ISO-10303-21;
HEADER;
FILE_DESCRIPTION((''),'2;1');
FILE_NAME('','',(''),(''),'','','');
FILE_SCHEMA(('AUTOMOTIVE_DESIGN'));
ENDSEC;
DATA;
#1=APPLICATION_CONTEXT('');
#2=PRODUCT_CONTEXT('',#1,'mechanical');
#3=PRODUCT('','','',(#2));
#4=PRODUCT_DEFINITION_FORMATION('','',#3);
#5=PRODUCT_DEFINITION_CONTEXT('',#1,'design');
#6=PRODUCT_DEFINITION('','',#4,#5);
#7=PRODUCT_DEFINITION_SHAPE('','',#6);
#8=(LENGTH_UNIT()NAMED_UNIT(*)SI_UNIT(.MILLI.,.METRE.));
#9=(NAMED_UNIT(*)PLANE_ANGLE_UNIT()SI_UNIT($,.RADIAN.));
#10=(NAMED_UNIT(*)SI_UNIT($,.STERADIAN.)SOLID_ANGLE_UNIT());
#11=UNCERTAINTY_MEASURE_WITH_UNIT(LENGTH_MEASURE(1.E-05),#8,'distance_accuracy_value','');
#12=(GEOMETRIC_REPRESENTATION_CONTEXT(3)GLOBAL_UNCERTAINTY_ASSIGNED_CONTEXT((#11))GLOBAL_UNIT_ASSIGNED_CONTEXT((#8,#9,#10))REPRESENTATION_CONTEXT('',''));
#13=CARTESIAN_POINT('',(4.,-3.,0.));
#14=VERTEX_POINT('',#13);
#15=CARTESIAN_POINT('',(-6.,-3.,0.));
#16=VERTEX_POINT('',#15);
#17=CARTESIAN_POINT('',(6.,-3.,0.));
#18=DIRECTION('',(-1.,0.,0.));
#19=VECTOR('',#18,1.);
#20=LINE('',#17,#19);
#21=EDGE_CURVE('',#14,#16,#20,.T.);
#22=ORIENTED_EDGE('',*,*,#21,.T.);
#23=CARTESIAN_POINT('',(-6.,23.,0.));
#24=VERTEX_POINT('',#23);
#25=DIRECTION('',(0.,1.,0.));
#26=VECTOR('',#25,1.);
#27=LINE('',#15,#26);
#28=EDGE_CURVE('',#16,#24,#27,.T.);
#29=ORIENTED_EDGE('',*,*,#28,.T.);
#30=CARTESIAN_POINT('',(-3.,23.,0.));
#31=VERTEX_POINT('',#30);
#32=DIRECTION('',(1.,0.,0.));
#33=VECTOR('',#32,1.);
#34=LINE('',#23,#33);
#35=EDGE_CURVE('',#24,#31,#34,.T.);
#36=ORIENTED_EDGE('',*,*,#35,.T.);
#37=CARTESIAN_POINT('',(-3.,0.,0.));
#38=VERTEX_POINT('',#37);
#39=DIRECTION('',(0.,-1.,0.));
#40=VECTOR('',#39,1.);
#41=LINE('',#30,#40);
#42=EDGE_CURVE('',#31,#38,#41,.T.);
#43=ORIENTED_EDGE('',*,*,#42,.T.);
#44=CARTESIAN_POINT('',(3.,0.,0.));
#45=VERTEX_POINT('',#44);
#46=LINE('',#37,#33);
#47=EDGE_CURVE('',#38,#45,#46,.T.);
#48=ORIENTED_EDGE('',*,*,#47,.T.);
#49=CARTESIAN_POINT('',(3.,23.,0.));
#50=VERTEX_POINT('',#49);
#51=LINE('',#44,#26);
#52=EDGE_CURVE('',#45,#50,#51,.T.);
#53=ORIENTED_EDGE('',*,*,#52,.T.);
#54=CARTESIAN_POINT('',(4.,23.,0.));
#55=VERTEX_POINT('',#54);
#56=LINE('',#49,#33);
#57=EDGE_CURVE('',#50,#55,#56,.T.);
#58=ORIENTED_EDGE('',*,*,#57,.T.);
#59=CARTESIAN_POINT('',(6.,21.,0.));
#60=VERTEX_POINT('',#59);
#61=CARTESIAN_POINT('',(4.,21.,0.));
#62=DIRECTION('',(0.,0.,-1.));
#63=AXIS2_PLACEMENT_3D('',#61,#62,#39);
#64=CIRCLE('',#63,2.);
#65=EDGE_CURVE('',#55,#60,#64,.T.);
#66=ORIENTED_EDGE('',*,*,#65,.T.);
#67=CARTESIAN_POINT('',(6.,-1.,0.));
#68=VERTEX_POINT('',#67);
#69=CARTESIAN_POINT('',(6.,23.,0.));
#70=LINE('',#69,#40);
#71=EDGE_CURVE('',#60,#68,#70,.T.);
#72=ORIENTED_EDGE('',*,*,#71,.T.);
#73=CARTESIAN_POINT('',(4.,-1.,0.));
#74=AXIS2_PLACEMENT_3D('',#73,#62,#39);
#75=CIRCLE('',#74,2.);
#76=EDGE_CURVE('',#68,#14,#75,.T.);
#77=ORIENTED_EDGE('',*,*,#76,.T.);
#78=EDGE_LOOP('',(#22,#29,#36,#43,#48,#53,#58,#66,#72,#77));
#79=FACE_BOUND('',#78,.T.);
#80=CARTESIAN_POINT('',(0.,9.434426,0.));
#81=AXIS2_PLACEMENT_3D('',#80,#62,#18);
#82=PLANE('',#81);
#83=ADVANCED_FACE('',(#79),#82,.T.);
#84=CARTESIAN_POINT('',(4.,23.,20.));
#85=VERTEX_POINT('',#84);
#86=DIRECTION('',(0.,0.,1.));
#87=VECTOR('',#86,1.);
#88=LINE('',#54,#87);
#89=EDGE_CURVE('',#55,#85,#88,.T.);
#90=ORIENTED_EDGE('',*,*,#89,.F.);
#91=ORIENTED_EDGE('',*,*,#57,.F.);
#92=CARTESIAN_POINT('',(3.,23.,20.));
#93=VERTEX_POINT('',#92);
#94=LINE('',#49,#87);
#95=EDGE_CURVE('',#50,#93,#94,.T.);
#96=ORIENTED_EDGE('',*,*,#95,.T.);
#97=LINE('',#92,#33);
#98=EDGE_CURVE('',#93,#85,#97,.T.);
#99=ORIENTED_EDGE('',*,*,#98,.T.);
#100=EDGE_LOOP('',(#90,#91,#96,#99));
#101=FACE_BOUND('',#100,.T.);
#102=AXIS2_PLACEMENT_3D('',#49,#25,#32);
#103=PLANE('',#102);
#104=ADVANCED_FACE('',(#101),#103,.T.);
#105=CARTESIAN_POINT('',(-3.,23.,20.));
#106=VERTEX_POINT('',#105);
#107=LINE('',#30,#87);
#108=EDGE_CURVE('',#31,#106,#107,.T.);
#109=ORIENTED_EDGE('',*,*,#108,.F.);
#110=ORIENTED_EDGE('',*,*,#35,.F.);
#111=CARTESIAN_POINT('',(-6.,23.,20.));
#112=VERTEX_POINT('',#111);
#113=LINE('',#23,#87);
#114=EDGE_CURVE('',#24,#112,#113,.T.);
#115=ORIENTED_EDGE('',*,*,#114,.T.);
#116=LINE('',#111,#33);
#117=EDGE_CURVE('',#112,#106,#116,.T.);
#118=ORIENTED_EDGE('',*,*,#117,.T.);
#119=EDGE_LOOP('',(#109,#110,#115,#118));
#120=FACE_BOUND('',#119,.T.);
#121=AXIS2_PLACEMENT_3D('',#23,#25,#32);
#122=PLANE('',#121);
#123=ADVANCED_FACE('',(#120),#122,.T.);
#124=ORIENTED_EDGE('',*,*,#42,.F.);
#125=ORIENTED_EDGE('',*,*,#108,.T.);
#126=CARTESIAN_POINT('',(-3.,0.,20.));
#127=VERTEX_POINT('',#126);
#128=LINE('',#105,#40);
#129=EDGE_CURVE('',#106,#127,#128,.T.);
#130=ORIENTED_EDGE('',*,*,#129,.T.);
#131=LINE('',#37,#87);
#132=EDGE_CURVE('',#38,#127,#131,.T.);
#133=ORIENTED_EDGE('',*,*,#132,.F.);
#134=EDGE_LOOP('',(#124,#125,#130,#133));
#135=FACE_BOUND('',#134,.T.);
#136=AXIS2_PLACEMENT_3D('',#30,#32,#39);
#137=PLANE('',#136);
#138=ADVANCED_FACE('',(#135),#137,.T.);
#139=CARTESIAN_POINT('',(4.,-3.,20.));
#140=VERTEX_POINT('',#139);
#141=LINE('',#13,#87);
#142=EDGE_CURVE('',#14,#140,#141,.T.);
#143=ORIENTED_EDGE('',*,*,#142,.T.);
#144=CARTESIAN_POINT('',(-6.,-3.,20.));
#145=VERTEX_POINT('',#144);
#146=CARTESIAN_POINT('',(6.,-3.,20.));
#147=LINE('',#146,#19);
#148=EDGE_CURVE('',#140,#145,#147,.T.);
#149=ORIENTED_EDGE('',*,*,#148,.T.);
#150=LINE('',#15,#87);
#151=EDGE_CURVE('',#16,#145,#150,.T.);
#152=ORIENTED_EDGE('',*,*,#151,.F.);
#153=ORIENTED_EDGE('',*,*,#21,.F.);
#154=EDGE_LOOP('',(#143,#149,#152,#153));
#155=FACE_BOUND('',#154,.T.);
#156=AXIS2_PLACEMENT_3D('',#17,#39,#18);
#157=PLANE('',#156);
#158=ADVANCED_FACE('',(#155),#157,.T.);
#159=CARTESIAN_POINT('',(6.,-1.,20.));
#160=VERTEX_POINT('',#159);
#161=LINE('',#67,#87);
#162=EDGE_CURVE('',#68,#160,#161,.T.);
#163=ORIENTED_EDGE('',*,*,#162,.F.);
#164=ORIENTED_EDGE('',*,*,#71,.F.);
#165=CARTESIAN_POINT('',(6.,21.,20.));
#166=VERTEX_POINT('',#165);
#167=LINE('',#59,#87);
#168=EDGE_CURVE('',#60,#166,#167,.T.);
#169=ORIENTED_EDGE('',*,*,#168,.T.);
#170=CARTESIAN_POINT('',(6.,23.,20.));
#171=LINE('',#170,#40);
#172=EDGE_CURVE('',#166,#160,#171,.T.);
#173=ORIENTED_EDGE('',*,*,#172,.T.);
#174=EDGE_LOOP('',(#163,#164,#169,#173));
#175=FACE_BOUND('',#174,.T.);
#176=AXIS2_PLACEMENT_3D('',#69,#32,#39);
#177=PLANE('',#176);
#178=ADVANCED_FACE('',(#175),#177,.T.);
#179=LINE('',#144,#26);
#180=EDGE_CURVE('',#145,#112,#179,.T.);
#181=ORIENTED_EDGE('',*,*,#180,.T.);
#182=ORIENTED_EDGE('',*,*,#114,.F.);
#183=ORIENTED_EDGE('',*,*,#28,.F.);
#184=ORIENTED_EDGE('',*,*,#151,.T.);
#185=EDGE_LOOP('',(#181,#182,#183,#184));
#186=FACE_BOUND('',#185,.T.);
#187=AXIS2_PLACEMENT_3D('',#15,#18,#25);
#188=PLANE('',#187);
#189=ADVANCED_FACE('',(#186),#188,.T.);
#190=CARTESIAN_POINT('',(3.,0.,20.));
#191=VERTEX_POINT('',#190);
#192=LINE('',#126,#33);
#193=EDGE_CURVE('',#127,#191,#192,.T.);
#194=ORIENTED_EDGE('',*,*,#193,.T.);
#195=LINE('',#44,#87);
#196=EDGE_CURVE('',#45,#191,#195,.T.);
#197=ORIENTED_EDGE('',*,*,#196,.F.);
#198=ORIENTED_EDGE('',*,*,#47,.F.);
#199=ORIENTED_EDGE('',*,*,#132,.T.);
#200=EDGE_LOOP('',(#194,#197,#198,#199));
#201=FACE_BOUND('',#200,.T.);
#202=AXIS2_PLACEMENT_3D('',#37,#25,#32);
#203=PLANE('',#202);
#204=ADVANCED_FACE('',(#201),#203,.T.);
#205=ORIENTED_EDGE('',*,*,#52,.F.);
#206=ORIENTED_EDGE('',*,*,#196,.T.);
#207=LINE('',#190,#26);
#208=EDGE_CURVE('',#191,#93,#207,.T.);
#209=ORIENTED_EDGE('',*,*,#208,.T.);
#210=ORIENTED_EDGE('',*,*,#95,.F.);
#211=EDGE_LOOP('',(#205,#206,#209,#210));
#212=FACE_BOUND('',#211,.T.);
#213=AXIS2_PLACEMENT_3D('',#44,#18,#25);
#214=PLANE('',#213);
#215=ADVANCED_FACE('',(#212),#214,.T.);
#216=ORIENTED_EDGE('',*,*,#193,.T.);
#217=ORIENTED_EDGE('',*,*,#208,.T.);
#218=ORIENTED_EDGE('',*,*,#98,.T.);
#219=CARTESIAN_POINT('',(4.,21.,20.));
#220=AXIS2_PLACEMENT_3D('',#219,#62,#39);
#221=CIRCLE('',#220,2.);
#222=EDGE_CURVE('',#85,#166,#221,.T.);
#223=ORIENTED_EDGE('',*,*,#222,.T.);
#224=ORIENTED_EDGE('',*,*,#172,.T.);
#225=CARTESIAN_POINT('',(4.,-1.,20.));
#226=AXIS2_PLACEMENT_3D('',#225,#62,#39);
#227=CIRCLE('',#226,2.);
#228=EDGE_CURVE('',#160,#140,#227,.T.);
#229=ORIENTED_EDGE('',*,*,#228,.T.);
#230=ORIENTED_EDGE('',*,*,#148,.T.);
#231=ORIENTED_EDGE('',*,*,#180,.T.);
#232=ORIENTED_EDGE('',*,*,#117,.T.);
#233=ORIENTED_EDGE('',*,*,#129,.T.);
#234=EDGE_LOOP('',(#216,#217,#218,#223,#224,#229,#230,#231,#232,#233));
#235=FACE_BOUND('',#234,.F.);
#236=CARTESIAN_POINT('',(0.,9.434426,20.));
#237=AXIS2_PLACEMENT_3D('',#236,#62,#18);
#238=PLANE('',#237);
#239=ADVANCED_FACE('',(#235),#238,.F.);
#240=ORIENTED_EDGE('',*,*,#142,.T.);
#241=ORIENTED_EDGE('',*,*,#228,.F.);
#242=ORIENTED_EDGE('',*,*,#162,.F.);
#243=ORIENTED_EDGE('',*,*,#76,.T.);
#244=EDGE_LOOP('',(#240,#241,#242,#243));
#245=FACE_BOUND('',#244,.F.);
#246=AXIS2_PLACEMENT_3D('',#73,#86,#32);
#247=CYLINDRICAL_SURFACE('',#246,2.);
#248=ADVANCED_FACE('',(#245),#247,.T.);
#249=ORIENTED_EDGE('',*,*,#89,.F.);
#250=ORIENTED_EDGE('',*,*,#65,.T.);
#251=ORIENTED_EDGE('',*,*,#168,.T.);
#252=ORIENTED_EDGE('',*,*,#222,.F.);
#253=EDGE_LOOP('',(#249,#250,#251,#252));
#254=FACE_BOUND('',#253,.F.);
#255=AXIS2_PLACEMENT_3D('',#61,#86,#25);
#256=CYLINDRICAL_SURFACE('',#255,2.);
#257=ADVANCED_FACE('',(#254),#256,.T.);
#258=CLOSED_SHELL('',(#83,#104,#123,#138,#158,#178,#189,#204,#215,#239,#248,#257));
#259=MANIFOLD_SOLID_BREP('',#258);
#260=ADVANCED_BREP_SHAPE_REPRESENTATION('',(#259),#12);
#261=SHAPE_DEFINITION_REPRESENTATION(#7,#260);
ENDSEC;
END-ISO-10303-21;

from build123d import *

# Parameters (mm, degrees)
PAD_DEPTH = 20
FILLET_R  = 2


with BuildPart() as part:
    # Sketch → Pad (new body)
    with BuildSketch(Plane.XY):
        Polygon((-3, 23), (-3, 0), (3, 0), (3, 23), (6, 23), (6, -3), (-6, -3), (-6, 23), align=None)
    extrude(amount=PAD_DEPTH)

    # Fillet
    fillet_edges = [part.edges().sort_by_distance(p)[0] for p in [
        (6, -3, 10),
        (6, 23, 10),
    ]]
    fillet(fillet_edges, radius=FILLET_R)


solid = part.part
